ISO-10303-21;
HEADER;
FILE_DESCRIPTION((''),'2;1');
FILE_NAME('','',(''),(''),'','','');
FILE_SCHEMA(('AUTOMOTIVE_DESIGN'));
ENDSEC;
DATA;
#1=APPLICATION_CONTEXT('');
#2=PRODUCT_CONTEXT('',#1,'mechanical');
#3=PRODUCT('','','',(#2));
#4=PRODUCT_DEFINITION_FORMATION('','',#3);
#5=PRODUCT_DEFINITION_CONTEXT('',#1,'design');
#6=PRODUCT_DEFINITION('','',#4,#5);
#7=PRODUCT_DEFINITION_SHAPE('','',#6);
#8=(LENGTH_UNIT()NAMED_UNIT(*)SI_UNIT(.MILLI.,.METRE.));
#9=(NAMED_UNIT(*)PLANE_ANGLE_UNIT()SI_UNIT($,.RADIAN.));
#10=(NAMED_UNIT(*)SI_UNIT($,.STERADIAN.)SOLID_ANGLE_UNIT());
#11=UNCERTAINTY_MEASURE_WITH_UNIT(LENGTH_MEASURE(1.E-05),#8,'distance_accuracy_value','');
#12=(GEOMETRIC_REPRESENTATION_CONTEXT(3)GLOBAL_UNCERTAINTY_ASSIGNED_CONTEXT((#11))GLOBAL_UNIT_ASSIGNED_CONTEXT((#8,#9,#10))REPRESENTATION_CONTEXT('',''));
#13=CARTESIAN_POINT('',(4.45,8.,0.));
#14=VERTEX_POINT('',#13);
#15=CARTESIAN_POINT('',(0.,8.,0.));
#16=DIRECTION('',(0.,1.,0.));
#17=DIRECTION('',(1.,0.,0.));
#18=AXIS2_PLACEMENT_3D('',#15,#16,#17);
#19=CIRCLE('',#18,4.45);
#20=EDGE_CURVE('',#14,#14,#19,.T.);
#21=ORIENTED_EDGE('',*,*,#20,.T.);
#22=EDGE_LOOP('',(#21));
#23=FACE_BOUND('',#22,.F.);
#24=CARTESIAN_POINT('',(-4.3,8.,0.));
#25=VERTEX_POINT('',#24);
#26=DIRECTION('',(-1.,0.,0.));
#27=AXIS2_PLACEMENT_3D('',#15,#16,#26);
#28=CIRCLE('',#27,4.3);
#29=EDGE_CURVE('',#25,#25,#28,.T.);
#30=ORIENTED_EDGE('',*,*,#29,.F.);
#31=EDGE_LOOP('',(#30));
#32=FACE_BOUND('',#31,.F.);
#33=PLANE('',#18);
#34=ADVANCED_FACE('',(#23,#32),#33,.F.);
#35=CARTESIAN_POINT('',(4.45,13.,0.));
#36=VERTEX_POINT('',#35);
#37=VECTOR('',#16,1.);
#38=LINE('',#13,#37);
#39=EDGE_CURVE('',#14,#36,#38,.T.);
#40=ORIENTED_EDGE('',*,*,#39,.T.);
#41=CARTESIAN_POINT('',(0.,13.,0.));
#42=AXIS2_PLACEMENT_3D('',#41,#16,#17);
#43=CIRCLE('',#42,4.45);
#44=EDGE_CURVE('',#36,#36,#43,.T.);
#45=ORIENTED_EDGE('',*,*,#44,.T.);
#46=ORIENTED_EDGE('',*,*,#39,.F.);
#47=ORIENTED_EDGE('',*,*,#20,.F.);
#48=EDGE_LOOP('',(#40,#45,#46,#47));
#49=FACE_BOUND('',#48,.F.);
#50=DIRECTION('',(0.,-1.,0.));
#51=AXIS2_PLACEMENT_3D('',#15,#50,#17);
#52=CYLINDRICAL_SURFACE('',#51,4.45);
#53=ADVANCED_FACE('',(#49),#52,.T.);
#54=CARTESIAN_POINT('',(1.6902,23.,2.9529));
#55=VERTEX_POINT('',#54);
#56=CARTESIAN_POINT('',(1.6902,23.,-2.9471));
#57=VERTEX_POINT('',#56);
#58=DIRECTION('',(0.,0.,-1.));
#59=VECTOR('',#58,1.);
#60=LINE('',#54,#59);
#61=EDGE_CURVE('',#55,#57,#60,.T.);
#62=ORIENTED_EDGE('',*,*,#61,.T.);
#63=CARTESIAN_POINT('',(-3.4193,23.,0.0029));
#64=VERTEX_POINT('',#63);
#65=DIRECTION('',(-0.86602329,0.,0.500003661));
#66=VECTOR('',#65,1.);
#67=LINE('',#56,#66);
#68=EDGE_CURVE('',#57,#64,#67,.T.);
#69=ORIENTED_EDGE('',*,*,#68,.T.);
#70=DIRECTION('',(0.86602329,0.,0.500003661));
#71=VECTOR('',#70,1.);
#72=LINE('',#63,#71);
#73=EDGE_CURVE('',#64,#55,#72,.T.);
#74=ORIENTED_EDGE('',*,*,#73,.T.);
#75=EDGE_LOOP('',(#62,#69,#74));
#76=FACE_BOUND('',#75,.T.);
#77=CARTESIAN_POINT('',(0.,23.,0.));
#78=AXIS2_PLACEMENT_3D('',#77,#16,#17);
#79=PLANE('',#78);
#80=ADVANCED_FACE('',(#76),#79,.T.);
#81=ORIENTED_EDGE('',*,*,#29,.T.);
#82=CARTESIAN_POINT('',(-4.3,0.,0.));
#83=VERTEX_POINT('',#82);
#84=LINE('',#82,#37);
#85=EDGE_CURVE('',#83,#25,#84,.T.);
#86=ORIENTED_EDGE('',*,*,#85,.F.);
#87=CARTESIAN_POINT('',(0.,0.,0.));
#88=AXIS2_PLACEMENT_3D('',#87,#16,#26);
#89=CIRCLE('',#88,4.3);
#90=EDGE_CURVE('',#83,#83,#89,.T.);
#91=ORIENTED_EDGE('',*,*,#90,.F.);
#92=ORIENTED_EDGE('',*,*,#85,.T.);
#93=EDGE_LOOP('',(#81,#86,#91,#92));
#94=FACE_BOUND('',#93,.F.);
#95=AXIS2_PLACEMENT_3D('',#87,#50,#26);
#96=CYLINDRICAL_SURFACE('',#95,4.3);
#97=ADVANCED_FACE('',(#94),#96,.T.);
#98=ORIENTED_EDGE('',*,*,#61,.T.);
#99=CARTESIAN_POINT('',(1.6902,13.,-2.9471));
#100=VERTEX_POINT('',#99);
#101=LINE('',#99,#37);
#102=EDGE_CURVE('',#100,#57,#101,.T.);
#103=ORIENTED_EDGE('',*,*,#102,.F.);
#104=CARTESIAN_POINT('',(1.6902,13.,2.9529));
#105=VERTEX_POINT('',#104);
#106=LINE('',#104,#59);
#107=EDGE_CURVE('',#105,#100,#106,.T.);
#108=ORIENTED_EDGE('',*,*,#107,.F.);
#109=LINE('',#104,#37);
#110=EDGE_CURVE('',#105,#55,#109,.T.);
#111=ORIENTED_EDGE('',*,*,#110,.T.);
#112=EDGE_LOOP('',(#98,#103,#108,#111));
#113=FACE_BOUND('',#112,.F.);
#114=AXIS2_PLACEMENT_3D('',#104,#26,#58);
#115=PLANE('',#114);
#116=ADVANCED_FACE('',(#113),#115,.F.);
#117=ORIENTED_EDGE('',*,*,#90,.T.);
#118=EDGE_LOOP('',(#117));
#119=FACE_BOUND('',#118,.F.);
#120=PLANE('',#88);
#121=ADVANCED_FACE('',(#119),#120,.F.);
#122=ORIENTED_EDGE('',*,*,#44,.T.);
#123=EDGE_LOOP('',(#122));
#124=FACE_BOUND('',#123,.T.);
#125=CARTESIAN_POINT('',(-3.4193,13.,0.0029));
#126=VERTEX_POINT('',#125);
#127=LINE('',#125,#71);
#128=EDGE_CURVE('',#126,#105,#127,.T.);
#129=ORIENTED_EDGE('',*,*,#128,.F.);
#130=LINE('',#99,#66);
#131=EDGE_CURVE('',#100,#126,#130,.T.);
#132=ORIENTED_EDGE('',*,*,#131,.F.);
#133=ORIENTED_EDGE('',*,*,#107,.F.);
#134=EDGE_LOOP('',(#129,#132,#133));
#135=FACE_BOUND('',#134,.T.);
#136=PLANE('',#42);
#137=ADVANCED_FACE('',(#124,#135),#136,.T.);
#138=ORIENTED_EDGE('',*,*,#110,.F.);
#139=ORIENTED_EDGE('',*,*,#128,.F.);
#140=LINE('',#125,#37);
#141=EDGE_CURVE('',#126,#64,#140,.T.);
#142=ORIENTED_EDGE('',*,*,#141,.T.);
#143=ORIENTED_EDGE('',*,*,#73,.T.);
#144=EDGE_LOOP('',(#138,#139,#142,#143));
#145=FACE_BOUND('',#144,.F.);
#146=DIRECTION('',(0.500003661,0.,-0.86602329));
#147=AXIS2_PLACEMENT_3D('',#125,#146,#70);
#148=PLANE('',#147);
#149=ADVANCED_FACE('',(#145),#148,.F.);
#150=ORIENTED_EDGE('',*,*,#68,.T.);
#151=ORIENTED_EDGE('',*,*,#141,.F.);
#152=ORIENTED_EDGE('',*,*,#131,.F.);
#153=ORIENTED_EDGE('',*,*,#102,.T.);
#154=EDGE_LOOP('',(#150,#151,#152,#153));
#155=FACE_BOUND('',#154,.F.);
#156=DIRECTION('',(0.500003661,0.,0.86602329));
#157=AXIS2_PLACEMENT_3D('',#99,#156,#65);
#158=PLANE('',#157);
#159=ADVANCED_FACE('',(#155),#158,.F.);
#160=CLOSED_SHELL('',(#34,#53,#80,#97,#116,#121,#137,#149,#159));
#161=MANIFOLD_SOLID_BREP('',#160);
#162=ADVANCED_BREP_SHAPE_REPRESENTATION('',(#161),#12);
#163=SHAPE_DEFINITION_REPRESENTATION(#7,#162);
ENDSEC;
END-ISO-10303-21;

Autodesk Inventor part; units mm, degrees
ref_plane "YZ Plane" through (0, 0, 0) normal (1, 0, 0) x (0, 1, 0)
ref_plane "XZ Plane" through (0, 0, 0) normal (0, 1, 0) x (-1, 0, 0)
ref_plane "XY Plane" through (0, 0, 0) normal (0, 0, 1) x (1, 0, 0)
sketch "Sketch1" plane through (0, 0, 0) normal (0, 1, 0) x (-1, 0, 0)
  circle A0 centre (0, 0) radius 4.3
  dimension "d0" = 8.6
extrude "Extrusion1" add sketch "Sketch1" along normal blind 8
sketch "Sketch2" plane through (0, 8, 0) normal (0, 1, 0) x (1, 0, 0)
  circle A0 centre (0, 0) radius 4.45
  dimension "d3" = 8.9
extrude "Extrusion2" add sketch "Sketch2" along normal blind 5
sketch "Sketch3" plane through (0, 13, 0) normal (0, 1, 0) x (1, 0, 0)
  line L0 (-3.4193, -0.0029) -> (1.6902, -2.9529)
  line L1 (1.6902, -2.9529) -> (1.6902, 2.9471)
  line L2 (1.6902, 2.9471) -> (-3.4193, -0.0029)
  point P0 (0, 0)
  dimension "d6" = 5.9
  dimension "d7" = 5.9
  dimension "d8" = 5.9
extrude "Extrusion3" add sketch "Sketch3" along normal blind 10
equation "\"d7\" = d6"
equation "\"d8\" = d6"
properties part number "TriangleAdapter"
